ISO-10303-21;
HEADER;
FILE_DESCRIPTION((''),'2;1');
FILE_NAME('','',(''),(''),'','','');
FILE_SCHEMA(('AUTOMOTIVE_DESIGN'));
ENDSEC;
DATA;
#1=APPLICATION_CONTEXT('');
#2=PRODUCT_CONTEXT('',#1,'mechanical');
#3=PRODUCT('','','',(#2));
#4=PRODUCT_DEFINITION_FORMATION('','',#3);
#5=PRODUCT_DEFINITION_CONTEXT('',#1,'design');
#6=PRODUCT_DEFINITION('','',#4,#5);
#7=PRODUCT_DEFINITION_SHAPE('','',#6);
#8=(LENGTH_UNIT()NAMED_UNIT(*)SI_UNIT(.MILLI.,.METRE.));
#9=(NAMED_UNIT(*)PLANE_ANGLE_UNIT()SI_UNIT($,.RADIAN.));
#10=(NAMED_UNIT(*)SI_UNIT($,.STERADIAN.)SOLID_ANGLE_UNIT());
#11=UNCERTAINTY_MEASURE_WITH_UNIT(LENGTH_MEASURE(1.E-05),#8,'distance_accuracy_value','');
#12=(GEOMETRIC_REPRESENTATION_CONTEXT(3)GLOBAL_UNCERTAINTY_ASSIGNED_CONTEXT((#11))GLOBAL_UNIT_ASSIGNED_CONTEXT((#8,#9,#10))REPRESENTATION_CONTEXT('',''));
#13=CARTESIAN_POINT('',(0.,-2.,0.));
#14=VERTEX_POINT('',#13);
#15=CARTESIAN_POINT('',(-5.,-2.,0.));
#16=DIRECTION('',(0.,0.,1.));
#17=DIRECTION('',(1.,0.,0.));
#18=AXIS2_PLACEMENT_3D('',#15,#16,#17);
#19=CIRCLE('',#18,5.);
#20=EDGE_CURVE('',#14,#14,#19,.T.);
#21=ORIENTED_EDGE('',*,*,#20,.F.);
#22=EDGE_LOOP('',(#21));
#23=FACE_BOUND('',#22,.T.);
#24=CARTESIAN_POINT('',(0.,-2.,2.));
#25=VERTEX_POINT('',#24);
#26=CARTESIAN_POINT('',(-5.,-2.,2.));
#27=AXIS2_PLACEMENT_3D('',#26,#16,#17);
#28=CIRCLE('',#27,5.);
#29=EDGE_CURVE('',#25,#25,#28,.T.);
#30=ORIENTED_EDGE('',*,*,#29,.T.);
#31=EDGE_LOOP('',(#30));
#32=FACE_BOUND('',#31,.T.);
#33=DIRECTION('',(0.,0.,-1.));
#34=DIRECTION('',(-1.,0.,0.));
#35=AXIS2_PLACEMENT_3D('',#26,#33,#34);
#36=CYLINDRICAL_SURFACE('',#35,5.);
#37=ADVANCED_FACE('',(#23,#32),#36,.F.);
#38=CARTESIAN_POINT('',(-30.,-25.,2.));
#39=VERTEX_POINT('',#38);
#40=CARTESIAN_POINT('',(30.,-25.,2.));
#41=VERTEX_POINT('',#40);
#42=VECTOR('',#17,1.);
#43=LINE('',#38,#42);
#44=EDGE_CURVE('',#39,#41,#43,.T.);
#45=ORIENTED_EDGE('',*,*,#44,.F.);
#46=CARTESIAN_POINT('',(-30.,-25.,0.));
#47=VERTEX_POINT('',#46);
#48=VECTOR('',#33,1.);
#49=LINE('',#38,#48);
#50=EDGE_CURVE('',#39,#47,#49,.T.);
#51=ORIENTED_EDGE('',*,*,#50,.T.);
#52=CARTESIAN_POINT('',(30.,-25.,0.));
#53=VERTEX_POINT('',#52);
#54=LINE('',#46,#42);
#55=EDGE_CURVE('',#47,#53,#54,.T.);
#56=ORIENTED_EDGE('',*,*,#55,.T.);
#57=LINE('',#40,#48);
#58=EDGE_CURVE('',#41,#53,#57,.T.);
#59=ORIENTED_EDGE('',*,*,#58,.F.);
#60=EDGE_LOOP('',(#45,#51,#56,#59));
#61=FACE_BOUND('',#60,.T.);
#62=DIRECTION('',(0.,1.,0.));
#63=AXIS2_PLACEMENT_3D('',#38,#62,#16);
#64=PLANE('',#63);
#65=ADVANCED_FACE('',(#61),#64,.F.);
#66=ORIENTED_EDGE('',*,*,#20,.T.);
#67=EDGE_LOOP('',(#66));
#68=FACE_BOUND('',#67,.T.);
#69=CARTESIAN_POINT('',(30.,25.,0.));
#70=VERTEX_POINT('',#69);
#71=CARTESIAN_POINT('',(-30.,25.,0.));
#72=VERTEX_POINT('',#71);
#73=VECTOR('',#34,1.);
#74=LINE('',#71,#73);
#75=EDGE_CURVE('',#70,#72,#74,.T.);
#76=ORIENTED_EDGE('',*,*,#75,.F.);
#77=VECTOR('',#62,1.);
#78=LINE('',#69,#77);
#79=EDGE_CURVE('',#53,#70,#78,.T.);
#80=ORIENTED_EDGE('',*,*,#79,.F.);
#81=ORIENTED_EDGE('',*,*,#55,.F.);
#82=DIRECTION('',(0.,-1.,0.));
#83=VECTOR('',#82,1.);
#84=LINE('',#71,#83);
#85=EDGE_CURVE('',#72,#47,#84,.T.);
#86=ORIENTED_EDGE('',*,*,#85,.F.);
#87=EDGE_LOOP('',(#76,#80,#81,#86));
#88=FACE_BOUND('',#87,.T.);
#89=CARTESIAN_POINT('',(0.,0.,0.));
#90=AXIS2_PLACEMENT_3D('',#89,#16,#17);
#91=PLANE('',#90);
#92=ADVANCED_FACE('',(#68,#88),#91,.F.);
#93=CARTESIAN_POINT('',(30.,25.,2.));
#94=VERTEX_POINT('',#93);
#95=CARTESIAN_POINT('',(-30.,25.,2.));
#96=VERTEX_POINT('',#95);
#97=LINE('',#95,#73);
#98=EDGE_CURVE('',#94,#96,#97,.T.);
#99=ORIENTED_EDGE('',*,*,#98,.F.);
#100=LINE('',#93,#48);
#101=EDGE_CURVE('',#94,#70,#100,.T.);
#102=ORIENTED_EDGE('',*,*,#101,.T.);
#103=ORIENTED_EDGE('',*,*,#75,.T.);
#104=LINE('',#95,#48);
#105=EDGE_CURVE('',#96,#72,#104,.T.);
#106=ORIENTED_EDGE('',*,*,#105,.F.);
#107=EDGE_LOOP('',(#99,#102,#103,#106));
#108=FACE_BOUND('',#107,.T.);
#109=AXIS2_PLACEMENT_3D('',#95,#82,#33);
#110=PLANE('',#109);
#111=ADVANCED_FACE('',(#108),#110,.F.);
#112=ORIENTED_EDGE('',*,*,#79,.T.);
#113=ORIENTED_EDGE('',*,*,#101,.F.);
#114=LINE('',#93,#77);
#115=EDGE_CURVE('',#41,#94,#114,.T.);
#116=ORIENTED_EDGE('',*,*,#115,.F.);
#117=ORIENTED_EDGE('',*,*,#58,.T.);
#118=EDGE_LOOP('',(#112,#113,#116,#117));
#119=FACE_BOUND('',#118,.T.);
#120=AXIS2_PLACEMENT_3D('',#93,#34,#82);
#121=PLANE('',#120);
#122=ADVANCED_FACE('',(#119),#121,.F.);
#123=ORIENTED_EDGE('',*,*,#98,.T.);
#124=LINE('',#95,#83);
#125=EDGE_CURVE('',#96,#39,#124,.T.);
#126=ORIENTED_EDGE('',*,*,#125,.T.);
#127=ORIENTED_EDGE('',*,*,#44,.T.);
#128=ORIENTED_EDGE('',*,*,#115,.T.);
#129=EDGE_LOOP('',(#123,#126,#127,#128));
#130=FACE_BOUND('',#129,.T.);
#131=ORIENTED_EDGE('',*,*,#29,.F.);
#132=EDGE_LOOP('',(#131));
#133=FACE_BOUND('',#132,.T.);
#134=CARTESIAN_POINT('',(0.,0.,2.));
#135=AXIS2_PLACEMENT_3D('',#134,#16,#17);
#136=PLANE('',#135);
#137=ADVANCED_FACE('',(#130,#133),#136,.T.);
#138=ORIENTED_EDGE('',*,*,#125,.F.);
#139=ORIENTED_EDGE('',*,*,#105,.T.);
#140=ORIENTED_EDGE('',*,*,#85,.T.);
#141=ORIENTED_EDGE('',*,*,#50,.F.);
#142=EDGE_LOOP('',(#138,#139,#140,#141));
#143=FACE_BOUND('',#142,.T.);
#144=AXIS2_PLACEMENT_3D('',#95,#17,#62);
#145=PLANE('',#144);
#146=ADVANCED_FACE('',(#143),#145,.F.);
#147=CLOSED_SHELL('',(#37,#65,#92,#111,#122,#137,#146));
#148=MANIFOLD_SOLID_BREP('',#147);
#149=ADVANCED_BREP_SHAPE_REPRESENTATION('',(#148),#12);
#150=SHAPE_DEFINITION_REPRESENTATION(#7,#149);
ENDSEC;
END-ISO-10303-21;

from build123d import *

# Parameters (mm, degrees)
SKETCH1_W           = 60
SKETCH1_H           = 50
SKETCH1_R           = 5
BOSS_EXTRUDE1_DEPTH = 2


with BuildPart() as part:
    # Sketch1 → Boss-Extrude1 (new body)
    with BuildSketch(Plane.XY):
        Rectangle(SKETCH1_W, SKETCH1_H)
        with Locations((-5, -2)):
            Circle(SKETCH1_R, mode=Mode.SUBTRACT)
    extrude(amount=BOSS_EXTRUDE1_DEPTH)


solid = part.part
